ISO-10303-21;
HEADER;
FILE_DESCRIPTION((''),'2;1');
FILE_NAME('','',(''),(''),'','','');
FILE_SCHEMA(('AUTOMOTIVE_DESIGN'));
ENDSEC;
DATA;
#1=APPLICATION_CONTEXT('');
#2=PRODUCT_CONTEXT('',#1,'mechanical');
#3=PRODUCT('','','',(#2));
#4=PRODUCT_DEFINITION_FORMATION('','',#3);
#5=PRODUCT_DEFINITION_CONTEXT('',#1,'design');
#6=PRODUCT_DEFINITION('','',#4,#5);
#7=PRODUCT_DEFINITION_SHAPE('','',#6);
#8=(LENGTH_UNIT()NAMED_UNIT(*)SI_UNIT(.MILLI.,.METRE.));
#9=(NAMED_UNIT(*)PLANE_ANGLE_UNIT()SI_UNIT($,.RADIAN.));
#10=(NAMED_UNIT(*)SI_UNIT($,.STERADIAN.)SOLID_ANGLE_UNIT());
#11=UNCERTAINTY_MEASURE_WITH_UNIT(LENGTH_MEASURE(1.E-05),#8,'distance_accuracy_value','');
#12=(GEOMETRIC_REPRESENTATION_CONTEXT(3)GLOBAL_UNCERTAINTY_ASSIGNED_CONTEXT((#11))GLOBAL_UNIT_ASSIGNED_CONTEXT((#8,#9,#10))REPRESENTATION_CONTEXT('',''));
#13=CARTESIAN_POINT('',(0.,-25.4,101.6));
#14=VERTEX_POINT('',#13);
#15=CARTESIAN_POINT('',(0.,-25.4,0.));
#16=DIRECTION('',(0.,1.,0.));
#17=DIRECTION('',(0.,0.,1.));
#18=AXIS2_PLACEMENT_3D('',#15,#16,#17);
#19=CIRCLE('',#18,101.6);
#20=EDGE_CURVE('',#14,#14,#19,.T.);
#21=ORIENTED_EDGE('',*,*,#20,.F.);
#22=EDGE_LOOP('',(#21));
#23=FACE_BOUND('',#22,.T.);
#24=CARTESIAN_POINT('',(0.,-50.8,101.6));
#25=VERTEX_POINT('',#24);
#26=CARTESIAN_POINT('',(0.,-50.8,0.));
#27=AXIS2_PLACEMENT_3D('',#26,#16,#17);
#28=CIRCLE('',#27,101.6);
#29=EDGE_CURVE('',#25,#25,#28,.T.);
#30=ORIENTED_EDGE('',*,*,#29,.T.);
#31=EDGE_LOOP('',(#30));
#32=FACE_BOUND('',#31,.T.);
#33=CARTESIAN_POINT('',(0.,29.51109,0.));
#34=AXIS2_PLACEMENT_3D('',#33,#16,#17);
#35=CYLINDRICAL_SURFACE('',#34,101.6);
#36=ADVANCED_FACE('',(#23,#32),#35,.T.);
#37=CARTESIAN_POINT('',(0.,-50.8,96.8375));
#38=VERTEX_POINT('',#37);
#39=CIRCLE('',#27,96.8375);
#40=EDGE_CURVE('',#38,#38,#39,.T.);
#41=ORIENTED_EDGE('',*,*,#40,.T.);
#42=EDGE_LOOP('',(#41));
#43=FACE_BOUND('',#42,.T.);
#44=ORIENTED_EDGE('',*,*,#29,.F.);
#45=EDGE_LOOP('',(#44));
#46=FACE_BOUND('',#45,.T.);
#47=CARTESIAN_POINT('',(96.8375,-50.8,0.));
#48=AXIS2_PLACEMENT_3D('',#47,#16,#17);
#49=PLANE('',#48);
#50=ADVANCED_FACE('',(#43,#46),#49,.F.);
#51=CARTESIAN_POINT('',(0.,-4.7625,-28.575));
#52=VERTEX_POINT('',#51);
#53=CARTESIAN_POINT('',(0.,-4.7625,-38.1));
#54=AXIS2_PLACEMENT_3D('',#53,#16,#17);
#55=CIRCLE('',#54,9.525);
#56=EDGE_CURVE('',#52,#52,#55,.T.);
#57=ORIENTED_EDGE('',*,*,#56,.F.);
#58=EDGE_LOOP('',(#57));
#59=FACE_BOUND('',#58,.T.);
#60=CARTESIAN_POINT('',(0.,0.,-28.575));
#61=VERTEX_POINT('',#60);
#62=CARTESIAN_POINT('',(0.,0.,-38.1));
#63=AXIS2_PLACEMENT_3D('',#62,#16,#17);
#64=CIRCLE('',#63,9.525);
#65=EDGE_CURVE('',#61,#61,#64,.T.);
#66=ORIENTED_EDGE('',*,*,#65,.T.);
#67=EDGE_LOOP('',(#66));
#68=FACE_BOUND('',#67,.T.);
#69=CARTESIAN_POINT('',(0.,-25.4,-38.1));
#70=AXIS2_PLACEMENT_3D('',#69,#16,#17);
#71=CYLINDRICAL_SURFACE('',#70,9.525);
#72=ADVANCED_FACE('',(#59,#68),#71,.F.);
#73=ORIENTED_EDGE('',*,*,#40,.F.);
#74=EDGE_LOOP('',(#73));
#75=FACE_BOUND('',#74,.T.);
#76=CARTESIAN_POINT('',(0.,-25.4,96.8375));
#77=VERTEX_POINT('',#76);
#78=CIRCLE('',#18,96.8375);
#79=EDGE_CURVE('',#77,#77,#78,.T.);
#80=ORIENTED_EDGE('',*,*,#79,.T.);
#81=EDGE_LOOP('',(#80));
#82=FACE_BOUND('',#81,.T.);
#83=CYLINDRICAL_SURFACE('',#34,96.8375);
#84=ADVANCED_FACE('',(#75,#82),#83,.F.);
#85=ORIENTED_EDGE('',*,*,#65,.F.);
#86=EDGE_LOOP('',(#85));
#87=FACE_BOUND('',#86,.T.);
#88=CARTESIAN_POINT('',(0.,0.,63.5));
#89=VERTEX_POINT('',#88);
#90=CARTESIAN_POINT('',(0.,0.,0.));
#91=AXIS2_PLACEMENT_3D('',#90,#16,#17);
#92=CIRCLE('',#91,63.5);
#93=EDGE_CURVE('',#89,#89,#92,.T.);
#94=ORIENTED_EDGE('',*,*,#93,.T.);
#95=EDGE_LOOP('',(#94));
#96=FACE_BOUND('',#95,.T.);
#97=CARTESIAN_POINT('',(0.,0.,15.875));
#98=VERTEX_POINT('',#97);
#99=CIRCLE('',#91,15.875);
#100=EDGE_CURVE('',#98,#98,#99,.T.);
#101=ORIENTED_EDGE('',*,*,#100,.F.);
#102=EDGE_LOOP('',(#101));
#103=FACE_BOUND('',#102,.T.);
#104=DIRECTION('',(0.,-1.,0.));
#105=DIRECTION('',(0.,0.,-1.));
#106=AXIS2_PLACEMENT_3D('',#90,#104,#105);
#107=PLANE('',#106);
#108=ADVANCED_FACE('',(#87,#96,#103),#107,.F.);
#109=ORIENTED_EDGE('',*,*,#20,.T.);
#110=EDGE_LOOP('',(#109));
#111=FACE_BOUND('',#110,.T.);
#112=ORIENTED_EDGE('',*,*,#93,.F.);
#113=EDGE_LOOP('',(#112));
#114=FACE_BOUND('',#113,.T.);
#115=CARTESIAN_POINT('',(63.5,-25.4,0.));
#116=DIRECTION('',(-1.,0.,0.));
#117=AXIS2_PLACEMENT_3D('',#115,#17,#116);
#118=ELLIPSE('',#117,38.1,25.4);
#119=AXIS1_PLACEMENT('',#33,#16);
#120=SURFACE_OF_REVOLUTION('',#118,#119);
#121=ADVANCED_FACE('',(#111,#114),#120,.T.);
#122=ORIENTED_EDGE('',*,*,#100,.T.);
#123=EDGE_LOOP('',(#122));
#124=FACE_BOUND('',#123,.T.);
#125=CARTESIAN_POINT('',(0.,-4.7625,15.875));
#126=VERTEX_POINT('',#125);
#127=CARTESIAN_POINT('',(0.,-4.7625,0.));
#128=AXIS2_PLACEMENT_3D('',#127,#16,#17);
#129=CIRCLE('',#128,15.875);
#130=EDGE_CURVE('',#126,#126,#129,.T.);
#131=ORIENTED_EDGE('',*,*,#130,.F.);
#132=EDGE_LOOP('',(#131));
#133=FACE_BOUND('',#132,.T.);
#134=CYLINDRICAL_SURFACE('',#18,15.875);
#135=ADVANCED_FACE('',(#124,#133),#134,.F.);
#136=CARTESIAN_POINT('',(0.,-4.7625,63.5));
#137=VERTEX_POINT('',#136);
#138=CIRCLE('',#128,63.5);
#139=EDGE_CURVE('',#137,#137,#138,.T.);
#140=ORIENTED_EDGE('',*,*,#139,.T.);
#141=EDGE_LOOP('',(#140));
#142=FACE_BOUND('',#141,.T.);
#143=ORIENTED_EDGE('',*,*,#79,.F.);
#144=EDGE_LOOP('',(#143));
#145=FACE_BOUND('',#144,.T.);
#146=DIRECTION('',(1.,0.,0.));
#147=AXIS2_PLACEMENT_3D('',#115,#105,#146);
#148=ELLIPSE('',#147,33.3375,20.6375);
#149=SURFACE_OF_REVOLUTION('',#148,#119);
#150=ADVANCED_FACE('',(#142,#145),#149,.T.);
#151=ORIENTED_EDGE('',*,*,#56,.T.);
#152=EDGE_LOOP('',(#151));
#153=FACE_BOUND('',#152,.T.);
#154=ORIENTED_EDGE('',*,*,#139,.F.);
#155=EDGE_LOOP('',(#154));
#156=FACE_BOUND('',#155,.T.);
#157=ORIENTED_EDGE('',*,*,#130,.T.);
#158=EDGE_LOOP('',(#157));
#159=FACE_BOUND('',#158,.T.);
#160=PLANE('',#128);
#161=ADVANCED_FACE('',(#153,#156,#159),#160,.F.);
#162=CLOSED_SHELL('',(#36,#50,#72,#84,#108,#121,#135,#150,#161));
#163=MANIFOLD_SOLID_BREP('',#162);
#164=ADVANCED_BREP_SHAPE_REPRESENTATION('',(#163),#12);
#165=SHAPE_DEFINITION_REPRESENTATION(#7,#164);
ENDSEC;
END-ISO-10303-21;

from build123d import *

# Parameters (mm, degrees)
SKETCH2_R          = 9.525
SKETCH2_R_2        = 15.875
CUT_EXTRUDE1_DEPTH = 25.4


with BuildPart() as part:
    # Sketch1 → Revolve1 (revolve)
    with BuildSketch(Plane.XY, mode=Mode.PRIVATE) as revolve1_sk:
        with BuildLine():
            Line((0, 0), (0, -4.7625))
            Line((0, -4.7625), (63.5, -4.7625))
            add(Edge.make_bspline(
                [(96.8375, -25.4), (96.8375, -4.7625), (63.5, -4.7625)],
                knots=[0, 0, 0, 1.570796327, 1.570796327, 1.570796327], degree=2, weights=[1, 0.707106781, 1]))
            Line((96.8375, -25.4), (96.8375, -50.8))
            Line((96.8375, -50.8), (101.6, -50.8))
            Line((101.6, -50.8), (101.6, -25.4))
            add(Edge.make_bspline(
                [(101.6, -25.4), (101.6, 0), (63.5, 0)],
                knots=[3.141592654, 3.141592654, 3.141592654, 4.71238898, 4.71238898, 4.71238898], degree=2, weights=[1, 0.707106781, 1]))
            Line((63.5, 0), (0, 0))
        make_face()
    revolve(revolve1_sk.sketch.rotate(Axis((0, 29.511089747, 0), (0, -1, 0)), 90), axis=Axis((0, 29.511089747, 0), (0, -1, 0)))

    # Sketch2 → Cut-Extrude1 (cut)
    with BuildSketch(Plane(origin=(0, 0, 0), x_dir=(1, 0, 0), z_dir=(0, 1, 0))):
        with Locations(Location((0, 38.1, 0), (0, 0, 270))):
            Circle(SKETCH2_R)
        with Locations(Location((0, 0, 0), (0, 0, 270))):
            Circle(SKETCH2_R_2)
    extrude(amount=-CUT_EXTRUDE1_DEPTH, mode=Mode.SUBTRACT)


solid = part.part
